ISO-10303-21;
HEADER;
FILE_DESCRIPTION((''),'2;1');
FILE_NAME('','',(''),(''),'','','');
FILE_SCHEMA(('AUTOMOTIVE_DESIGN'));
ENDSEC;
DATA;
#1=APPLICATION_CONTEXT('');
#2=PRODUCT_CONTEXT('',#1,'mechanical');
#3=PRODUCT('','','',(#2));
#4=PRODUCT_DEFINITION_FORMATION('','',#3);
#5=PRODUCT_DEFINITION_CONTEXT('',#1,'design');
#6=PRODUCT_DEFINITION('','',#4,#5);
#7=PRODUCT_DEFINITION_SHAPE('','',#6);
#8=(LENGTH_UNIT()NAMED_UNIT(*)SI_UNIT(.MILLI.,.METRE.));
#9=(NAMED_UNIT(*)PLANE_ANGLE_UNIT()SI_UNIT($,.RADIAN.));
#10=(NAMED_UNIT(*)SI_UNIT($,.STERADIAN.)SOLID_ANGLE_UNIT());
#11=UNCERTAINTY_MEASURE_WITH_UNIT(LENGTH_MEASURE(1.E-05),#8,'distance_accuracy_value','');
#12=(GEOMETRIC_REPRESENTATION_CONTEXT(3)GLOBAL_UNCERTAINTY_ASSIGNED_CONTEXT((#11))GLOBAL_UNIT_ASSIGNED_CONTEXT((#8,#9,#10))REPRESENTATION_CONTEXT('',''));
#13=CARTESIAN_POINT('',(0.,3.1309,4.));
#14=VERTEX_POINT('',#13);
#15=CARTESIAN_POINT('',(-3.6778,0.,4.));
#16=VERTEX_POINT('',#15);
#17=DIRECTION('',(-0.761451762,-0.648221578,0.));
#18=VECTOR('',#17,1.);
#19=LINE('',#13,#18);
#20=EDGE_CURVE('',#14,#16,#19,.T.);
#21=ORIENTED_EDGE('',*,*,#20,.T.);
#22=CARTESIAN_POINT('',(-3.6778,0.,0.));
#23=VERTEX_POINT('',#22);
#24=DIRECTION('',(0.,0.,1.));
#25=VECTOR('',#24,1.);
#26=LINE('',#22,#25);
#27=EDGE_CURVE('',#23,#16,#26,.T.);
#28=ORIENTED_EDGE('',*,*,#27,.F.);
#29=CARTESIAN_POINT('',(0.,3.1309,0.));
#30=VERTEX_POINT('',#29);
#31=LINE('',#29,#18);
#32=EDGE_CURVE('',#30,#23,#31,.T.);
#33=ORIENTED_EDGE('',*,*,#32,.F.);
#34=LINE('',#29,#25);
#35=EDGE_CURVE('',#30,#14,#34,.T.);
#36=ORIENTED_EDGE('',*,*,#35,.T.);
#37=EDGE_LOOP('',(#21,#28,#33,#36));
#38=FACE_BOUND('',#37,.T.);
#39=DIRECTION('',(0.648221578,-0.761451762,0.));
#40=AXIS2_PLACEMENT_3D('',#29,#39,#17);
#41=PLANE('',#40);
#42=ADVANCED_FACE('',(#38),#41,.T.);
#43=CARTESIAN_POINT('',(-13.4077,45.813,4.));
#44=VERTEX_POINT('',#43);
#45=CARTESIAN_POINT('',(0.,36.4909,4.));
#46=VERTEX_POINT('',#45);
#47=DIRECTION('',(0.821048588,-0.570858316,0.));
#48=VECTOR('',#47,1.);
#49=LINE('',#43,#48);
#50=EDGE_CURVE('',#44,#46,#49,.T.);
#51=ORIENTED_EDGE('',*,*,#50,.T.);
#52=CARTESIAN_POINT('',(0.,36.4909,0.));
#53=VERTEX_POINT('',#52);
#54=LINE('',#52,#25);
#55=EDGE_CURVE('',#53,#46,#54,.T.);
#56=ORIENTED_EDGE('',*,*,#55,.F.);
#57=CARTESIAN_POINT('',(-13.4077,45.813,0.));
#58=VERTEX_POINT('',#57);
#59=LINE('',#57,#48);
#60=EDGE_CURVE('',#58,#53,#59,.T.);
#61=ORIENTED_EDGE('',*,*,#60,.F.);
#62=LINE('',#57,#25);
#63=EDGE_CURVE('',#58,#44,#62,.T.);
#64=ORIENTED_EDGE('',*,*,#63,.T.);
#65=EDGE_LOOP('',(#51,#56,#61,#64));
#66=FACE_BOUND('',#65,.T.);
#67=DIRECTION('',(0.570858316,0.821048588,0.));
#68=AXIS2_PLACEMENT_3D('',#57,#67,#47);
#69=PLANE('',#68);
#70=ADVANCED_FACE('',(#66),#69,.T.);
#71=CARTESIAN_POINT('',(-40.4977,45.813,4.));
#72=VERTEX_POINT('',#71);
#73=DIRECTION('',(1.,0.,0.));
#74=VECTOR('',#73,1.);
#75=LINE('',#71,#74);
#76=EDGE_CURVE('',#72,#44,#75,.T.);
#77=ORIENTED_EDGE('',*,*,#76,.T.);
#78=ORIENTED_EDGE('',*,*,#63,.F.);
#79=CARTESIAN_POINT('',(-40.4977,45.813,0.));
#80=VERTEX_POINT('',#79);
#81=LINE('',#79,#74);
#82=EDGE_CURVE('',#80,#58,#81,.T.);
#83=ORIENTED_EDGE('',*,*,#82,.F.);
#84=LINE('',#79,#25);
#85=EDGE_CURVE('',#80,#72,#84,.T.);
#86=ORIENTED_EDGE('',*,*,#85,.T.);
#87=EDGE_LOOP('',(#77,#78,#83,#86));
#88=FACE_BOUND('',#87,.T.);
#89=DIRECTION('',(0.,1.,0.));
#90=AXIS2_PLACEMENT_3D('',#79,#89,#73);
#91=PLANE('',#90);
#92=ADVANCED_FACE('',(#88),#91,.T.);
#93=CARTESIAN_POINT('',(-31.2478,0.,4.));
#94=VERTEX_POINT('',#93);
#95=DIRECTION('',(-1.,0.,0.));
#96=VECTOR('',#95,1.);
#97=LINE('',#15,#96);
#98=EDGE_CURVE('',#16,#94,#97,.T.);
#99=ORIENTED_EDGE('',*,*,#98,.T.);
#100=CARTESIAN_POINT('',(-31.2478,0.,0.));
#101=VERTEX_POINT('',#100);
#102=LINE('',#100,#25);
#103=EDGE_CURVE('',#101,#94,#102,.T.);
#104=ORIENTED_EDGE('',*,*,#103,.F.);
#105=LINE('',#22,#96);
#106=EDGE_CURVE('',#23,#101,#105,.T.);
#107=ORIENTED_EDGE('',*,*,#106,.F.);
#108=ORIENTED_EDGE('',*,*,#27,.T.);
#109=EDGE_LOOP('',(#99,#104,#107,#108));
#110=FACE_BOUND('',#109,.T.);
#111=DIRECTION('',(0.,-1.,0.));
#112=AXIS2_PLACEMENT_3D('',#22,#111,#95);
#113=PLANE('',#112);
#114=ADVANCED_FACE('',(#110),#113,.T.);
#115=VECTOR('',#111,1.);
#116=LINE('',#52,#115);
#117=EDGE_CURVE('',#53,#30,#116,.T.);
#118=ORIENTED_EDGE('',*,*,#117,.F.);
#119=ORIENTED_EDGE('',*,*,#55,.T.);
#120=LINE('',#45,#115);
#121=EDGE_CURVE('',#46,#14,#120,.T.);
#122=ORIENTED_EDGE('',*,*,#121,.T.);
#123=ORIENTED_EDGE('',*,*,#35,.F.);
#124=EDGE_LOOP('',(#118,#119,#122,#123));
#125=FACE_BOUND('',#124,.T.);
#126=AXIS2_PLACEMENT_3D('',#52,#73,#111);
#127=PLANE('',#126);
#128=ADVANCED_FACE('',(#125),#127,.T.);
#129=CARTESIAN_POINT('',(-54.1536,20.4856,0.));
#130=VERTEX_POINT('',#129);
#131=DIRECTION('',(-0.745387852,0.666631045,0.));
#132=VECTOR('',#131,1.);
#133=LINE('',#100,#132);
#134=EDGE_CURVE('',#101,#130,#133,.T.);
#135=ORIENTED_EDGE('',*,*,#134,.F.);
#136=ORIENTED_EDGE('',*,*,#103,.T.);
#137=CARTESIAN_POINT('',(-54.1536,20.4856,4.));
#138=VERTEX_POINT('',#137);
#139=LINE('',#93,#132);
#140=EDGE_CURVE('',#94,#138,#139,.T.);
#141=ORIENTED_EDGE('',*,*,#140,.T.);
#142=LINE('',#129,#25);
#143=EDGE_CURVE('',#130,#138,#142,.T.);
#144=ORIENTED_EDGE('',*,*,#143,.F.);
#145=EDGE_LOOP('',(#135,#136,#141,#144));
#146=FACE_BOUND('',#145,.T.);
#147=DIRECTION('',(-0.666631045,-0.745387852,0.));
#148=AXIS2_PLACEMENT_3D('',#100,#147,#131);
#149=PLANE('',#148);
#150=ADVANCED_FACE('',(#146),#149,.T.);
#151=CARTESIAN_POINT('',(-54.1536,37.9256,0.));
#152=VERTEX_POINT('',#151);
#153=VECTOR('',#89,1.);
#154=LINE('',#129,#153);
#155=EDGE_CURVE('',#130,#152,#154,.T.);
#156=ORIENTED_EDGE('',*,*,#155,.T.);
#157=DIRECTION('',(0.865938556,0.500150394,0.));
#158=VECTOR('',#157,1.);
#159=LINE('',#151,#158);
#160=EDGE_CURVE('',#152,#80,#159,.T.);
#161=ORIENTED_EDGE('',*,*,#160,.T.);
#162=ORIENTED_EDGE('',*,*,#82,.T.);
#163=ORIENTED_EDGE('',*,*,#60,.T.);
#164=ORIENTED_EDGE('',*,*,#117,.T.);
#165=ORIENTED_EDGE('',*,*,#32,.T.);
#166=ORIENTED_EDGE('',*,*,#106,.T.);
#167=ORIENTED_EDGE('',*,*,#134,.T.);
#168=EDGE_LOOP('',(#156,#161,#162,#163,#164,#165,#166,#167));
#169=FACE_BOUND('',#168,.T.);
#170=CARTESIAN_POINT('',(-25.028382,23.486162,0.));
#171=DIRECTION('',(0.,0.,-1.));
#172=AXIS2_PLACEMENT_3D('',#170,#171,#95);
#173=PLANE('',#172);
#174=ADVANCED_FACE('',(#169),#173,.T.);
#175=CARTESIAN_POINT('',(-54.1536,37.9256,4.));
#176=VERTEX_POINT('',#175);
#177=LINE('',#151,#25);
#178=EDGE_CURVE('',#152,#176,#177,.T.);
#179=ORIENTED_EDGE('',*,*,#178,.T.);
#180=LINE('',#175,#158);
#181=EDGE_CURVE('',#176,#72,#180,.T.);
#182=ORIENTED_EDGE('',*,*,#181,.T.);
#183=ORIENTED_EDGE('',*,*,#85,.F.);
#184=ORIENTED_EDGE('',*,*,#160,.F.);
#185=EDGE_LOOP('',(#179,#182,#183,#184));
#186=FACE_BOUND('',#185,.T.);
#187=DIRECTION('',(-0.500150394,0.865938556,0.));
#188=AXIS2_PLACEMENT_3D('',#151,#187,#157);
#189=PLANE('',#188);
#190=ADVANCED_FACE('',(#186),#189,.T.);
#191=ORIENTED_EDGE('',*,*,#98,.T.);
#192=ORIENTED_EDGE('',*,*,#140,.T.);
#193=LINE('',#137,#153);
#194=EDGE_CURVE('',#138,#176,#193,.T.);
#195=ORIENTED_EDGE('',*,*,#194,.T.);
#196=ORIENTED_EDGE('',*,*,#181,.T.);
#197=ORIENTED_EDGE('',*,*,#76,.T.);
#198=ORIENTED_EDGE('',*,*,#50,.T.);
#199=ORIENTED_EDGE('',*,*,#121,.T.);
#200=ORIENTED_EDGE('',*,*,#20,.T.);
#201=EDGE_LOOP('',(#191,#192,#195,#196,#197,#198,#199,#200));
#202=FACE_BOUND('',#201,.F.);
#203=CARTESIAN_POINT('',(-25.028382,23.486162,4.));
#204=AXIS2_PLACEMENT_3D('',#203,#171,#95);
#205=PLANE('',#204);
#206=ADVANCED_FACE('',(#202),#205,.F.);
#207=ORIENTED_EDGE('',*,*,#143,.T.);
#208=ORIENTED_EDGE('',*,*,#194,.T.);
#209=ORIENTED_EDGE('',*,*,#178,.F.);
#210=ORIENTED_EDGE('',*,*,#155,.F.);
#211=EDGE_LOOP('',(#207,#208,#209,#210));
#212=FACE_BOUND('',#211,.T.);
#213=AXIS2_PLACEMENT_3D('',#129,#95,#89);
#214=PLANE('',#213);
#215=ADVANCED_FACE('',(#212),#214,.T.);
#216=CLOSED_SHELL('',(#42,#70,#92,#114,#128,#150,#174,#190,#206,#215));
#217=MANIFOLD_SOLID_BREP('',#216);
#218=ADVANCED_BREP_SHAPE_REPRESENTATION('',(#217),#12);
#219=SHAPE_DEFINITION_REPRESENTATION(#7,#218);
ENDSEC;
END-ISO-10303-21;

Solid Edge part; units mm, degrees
sketch "Sketch1" plane through (0, 0, 0) normal (0, 0, 1) x (1, 0, 0)
  line L0 (-40.4977, 45.813) -> (-13.4077, 45.813)
  line L1 (-13.4077, 45.813) -> (0, 36.4909)
  line L2 (0, 36.4909) -> (0, 3.1309)
  line L3 (0, 3.1309) -> (-3.6778, 0)
  line L4 (-3.6778, 0) -> (-31.2478, 0)
  line L5 (-31.2478, 0) -> (-54.1536, 20.4856)
  line L6 (-54.1536, 20.4856) -> (-54.1536, 37.9256)
  line L7 (-54.1536, 37.9256) -> (-40.4977, 45.813)
  dimension "D1" = 27.09
  dimension "D2" = 16.33
  dimension "D3" = 15.77
  dimension "D4" = 17.44
  dimension "D5" = 30.73
  dimension "D6" = 27.57
  dimension "D7" = 33.36
  dimension "D8" = 4.83
extrude "Protrusion1" add sketch "Sketch1" along normal blind 4
properties material "Polypropylen, allgemein"
